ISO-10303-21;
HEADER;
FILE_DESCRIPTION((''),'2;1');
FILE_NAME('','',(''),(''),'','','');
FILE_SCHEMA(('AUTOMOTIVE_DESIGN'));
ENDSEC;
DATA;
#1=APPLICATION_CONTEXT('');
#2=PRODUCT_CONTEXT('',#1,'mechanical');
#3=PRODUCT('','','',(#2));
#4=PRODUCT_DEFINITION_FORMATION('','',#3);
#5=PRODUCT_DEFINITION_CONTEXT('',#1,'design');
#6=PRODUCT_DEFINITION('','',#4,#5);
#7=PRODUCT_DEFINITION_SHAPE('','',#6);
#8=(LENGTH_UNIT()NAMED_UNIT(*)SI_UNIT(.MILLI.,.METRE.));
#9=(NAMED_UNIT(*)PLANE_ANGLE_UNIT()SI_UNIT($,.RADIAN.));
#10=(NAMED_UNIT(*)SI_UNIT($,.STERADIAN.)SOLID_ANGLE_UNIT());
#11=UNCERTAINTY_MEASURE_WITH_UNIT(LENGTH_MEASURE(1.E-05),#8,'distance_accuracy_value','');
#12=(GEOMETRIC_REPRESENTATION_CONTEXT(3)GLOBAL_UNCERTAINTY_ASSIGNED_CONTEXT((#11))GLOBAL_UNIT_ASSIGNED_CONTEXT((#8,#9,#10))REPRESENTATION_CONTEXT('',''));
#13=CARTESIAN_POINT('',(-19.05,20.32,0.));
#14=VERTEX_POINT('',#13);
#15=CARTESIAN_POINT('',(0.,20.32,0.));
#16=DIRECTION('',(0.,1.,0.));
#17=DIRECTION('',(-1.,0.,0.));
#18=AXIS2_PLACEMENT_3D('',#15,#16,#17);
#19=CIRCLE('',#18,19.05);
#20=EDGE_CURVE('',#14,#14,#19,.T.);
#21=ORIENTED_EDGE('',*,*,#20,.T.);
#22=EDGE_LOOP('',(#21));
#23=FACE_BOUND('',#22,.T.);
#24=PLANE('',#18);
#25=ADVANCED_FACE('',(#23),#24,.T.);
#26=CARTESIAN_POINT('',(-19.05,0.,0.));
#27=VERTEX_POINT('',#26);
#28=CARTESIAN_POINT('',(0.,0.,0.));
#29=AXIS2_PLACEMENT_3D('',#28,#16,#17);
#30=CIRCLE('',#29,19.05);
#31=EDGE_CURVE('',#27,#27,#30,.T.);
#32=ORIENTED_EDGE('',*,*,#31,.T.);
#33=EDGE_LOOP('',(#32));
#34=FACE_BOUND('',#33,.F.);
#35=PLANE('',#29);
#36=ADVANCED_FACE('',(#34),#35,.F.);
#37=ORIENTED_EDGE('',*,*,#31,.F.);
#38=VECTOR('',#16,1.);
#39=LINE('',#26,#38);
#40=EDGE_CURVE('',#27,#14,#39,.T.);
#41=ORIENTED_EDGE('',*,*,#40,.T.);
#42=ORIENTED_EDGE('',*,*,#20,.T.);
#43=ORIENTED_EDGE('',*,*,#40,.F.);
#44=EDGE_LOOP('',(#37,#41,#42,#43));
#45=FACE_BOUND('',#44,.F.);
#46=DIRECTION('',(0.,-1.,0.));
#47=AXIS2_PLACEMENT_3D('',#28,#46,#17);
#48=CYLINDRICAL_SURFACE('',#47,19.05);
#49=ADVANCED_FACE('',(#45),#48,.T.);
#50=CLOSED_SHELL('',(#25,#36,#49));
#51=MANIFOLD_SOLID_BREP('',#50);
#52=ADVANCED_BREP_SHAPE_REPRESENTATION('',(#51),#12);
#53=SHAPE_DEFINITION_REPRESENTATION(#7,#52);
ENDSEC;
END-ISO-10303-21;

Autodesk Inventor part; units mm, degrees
ref_plane "YZ Plane" through (0, 0, 0) normal (1, 0, 0) x (0, 1, 0)
ref_plane "XZ Plane" through (0, 0, 0) normal (0, 1, 0) x (-1, 0, 0)
ref_plane "XY Plane" through (0, 0, 0) normal (0, 0, 1) x (1, 0, 0)
sketch "Sketch5" plane through (0, 0, 0) normal (0, 1, 0) x (-1, 0, 0)
  circle A0 centre (0, 0) radius 19.05
  dimension "d9" = 38.1
extrude "Extrusion4" add sketch "Sketch5" along normal blind 20.32
properties part number "GERMI01-05-01"
